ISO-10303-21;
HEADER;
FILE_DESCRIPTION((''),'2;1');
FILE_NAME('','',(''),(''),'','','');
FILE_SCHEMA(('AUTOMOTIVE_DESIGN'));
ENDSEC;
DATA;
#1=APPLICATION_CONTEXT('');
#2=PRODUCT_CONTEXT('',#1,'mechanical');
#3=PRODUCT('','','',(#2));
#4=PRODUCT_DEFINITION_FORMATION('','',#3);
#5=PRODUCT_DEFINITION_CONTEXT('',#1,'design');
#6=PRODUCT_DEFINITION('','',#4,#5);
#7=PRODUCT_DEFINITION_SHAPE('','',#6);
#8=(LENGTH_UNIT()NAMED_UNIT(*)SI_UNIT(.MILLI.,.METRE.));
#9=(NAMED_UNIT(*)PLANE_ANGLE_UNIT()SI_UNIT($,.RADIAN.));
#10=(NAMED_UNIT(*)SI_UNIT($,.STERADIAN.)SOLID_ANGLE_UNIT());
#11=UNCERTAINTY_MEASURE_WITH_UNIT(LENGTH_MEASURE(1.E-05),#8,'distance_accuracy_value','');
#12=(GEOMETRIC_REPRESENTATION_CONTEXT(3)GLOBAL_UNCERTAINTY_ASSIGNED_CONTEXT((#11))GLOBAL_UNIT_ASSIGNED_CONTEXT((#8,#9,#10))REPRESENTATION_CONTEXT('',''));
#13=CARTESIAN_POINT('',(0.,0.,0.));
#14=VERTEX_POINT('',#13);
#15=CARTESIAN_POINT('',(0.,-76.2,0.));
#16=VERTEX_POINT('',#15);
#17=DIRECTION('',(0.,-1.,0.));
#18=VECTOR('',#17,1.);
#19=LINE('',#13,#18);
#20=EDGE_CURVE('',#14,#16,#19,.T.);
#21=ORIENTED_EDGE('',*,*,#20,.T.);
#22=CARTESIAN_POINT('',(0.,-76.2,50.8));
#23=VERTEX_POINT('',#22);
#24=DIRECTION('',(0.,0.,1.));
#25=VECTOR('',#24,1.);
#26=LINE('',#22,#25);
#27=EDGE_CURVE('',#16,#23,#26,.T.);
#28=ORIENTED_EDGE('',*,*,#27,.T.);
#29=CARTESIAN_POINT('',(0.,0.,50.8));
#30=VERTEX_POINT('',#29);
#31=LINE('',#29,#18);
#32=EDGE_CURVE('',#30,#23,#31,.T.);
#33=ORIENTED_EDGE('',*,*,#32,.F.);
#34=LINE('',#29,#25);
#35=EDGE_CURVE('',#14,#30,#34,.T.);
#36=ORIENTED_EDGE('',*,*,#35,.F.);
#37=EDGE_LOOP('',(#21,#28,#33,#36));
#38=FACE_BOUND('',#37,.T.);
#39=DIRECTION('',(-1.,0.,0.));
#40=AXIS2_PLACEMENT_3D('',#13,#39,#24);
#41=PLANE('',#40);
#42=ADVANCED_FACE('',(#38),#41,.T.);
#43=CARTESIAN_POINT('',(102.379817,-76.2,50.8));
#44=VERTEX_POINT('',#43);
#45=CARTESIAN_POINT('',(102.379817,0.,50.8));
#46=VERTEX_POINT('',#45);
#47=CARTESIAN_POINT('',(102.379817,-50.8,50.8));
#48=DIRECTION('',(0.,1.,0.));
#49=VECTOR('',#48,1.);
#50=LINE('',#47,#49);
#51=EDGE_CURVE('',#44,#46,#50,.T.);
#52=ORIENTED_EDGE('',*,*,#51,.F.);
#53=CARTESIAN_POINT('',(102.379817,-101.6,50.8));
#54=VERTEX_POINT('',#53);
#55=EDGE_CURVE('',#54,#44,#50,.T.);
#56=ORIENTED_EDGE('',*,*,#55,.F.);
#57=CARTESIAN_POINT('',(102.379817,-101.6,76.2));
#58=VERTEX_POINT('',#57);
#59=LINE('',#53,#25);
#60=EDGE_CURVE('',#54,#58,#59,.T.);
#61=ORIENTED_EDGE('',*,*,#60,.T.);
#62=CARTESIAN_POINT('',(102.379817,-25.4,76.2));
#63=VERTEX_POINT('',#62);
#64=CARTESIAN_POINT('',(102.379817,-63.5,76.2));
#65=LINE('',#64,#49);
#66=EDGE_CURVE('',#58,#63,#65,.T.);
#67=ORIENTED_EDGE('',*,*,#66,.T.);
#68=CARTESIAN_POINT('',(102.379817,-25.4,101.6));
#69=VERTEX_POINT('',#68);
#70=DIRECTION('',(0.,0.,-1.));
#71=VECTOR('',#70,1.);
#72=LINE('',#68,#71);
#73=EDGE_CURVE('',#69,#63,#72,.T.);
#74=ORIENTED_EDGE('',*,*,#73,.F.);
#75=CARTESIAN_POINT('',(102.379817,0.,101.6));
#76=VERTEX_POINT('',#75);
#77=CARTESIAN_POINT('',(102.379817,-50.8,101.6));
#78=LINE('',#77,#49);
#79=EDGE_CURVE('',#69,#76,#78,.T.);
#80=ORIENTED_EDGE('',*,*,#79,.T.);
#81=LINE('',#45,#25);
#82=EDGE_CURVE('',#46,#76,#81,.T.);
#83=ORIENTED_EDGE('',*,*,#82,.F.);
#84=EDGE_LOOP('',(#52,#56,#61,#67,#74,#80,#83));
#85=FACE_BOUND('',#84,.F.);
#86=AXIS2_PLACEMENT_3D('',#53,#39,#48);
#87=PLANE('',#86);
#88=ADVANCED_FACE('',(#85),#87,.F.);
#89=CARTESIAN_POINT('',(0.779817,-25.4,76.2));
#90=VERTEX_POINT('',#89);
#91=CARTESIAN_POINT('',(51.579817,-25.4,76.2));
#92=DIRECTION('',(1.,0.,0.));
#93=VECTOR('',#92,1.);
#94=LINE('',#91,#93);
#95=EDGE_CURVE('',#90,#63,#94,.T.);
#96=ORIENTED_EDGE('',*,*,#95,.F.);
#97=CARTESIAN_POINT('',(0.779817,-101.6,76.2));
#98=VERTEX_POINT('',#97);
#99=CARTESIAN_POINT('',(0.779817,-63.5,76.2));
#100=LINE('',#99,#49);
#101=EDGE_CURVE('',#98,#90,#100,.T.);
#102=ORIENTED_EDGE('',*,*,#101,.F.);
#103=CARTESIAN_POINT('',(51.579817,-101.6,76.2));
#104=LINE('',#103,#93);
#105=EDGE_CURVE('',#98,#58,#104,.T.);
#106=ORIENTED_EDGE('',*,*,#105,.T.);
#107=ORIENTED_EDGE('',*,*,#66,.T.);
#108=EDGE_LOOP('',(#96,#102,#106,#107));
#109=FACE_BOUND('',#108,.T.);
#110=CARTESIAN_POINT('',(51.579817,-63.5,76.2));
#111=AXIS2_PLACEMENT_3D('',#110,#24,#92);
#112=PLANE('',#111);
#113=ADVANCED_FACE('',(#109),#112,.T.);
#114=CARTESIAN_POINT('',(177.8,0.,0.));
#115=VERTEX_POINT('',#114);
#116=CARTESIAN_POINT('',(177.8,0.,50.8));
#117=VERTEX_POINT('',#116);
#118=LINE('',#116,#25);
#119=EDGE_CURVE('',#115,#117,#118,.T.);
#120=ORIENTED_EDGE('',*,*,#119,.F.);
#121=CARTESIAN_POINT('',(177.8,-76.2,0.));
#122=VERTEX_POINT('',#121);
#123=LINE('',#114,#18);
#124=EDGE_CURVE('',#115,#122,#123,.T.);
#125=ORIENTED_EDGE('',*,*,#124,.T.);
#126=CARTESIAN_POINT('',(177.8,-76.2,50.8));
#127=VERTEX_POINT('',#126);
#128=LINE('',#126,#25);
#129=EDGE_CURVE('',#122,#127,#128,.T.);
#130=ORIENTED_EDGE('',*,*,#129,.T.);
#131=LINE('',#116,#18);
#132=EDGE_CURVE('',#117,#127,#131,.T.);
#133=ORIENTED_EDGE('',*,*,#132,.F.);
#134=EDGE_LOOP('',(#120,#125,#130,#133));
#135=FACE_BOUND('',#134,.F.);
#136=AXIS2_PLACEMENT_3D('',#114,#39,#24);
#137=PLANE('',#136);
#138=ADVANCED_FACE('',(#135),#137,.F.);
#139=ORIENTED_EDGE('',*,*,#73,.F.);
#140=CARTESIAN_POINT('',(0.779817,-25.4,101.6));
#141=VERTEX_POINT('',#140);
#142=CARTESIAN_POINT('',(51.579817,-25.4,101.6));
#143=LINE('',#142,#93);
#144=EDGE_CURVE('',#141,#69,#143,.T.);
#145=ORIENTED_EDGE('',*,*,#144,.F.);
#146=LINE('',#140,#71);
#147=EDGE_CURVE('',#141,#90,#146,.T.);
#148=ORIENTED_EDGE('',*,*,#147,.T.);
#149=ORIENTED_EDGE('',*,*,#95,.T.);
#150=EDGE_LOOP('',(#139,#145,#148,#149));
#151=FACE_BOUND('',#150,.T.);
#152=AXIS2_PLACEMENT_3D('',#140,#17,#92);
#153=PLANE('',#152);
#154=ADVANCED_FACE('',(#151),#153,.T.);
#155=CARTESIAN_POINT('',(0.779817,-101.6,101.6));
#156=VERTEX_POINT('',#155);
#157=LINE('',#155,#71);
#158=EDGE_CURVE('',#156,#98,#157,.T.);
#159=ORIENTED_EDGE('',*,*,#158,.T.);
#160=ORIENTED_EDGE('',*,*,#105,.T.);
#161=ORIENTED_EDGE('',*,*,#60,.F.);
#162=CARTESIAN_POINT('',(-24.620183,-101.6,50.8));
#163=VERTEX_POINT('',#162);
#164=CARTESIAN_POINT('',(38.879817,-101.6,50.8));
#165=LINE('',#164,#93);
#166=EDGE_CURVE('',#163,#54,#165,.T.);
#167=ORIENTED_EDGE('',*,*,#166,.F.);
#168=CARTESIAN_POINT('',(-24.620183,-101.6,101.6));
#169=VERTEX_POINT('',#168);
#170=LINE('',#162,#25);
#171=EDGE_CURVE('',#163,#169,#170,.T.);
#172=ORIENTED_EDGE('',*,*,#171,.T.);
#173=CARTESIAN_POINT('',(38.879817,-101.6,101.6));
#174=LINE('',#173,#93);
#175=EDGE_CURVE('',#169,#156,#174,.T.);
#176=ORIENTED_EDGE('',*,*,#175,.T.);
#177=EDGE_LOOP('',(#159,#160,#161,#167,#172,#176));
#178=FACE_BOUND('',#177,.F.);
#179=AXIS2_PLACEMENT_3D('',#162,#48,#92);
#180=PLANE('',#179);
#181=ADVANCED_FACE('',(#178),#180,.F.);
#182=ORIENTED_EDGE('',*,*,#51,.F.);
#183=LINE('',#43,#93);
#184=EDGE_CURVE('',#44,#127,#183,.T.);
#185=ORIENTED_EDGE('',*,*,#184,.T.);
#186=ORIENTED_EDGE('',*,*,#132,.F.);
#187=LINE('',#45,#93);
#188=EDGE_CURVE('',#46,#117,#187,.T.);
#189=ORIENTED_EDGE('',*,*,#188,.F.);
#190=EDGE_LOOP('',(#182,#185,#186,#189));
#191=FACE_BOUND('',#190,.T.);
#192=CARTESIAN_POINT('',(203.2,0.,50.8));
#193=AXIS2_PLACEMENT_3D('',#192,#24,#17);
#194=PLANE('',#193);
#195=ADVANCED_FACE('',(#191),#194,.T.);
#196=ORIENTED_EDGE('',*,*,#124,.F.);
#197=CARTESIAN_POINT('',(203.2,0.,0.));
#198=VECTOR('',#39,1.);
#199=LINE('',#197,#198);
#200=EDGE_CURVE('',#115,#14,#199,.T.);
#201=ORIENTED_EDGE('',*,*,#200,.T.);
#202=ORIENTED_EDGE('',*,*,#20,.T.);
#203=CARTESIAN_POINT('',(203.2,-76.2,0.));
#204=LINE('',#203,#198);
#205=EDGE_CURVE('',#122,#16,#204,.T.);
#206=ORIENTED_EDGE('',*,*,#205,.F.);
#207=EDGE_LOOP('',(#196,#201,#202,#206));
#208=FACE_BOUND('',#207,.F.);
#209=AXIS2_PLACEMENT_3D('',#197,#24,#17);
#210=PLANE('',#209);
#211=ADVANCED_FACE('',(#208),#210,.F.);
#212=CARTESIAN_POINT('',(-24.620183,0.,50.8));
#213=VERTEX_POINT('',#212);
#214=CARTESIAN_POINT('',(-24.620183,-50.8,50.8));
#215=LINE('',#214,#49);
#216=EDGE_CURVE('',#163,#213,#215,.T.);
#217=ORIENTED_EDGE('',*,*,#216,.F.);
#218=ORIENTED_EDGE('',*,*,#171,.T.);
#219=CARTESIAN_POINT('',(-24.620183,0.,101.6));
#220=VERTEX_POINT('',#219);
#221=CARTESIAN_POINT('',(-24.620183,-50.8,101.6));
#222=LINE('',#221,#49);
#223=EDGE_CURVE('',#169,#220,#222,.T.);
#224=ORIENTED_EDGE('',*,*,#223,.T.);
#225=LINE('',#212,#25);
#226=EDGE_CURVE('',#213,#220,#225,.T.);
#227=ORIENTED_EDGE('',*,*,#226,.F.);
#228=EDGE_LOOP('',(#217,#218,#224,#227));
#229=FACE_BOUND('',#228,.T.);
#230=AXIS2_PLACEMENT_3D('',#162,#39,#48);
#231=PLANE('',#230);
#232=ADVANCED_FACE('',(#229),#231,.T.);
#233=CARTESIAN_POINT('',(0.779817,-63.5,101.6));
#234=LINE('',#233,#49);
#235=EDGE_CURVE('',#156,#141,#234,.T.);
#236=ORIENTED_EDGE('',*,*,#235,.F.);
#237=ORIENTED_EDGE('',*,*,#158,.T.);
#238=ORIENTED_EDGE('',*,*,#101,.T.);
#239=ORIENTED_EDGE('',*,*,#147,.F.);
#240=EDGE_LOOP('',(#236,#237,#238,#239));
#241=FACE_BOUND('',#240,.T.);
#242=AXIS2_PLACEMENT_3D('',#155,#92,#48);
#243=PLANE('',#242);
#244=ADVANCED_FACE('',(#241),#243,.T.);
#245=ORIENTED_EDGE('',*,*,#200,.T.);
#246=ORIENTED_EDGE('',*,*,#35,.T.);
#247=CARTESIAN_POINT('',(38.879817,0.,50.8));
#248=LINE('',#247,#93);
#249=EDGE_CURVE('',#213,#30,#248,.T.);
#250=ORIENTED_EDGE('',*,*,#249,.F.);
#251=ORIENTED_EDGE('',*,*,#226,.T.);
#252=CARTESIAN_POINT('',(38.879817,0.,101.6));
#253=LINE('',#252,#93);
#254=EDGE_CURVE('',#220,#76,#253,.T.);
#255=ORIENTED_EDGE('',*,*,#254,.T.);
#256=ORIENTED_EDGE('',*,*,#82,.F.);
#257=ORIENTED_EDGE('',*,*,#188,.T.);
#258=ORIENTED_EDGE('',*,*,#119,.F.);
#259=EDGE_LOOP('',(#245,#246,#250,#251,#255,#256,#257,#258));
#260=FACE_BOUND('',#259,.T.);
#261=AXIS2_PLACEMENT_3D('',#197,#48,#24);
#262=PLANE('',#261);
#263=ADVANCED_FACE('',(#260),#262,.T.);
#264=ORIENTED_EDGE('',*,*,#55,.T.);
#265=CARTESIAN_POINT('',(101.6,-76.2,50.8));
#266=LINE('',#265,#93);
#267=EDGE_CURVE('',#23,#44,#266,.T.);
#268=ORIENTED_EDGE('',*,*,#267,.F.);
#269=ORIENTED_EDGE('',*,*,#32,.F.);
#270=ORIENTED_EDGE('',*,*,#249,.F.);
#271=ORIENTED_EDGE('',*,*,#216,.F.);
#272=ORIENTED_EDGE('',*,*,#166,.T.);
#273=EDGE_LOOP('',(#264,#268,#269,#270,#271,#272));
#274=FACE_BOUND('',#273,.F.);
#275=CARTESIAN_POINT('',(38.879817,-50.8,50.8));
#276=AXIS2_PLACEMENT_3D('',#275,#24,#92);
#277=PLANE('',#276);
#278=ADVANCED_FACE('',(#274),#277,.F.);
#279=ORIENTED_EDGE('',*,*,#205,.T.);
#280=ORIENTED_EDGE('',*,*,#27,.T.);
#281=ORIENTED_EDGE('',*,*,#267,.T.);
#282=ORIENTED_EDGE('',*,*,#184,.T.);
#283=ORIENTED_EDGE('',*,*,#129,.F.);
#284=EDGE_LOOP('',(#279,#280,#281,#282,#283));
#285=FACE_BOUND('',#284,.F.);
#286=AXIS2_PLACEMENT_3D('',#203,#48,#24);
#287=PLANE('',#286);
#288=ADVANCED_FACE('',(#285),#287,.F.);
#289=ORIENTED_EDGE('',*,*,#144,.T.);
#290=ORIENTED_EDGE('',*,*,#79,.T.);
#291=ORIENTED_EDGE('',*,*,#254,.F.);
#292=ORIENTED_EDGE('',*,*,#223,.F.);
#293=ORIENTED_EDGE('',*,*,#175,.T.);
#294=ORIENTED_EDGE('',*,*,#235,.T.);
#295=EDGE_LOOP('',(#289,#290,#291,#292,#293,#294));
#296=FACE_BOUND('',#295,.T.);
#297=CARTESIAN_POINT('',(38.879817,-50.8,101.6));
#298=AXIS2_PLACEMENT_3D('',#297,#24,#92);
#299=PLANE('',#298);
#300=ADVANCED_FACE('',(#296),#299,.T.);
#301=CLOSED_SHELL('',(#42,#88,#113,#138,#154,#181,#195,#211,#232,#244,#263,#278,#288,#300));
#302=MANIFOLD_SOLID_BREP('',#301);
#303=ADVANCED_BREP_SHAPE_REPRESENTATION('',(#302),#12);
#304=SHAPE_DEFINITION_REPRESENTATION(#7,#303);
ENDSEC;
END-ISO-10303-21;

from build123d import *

# Parameters (mm, degrees)
F0_W     = 203.2
F0_H     = 101.6
F1_DEPTH = 76.2
F2_DEPTH = 50.8
F3_W     = 127
F3_H     = 101.6
F4_DEPTH = 50.8
F5_DEPTH = 25.4
F6_DEPTH = 25.4
F7_W     = 101.6
F7_H     = 76.2
F8_DEPTH = 25.4


with BuildPart() as f1:
    # F0 (on Front) → F1 (new body)
    with BuildSketch(Plane.XZ):
        with Locations((101.6, 50.8)):
            Rectangle(F0_W, F0_H)
    extrude(amount=F1_DEPTH)

    # F2 (cut): a face of the model
    f2_faces = [f1.faces().sort_by_distance(p)[0] for p in [
        (101.6, -38.1, 101.6),
    ]]
    extrude(f2_faces, amount=-F2_DEPTH, mode=Mode.SUBTRACT)

    # F3 (on face) → F4 (join)
    with BuildSketch(Plane.XY.offset(50.8)):
        with Locations((38.8798168193, -50.8)):
            Rectangle(F3_W, F3_H)
    extrude(amount=F4_DEPTH)

    # F5 (add): a face of the model
    f5_faces = [f1.faces().sort_by_distance(p)[0] for p in [
        (203.2, -38.1, 25.4),
    ]]
    extrude(f5_faces, amount=-F5_DEPTH)

    # F6 (cut): a face of the model
    f6_faces = [f1.faces().sort_by_distance(p)[0] for p in [
        (203.2, -38.1, 25.4),
    ]]
    extrude(f6_faces, amount=-F6_DEPTH, mode=Mode.SUBTRACT)

    # F7 (on face) → F8 (cut)
    with BuildSketch(Plane.XY.offset(101.6)):
        with Locations((51.5798168193, -63.5)):
            Rectangle(F7_W, F7_H)
    extrude(amount=-F8_DEPTH, mode=Mode.SUBTRACT)


solid = f1.part
